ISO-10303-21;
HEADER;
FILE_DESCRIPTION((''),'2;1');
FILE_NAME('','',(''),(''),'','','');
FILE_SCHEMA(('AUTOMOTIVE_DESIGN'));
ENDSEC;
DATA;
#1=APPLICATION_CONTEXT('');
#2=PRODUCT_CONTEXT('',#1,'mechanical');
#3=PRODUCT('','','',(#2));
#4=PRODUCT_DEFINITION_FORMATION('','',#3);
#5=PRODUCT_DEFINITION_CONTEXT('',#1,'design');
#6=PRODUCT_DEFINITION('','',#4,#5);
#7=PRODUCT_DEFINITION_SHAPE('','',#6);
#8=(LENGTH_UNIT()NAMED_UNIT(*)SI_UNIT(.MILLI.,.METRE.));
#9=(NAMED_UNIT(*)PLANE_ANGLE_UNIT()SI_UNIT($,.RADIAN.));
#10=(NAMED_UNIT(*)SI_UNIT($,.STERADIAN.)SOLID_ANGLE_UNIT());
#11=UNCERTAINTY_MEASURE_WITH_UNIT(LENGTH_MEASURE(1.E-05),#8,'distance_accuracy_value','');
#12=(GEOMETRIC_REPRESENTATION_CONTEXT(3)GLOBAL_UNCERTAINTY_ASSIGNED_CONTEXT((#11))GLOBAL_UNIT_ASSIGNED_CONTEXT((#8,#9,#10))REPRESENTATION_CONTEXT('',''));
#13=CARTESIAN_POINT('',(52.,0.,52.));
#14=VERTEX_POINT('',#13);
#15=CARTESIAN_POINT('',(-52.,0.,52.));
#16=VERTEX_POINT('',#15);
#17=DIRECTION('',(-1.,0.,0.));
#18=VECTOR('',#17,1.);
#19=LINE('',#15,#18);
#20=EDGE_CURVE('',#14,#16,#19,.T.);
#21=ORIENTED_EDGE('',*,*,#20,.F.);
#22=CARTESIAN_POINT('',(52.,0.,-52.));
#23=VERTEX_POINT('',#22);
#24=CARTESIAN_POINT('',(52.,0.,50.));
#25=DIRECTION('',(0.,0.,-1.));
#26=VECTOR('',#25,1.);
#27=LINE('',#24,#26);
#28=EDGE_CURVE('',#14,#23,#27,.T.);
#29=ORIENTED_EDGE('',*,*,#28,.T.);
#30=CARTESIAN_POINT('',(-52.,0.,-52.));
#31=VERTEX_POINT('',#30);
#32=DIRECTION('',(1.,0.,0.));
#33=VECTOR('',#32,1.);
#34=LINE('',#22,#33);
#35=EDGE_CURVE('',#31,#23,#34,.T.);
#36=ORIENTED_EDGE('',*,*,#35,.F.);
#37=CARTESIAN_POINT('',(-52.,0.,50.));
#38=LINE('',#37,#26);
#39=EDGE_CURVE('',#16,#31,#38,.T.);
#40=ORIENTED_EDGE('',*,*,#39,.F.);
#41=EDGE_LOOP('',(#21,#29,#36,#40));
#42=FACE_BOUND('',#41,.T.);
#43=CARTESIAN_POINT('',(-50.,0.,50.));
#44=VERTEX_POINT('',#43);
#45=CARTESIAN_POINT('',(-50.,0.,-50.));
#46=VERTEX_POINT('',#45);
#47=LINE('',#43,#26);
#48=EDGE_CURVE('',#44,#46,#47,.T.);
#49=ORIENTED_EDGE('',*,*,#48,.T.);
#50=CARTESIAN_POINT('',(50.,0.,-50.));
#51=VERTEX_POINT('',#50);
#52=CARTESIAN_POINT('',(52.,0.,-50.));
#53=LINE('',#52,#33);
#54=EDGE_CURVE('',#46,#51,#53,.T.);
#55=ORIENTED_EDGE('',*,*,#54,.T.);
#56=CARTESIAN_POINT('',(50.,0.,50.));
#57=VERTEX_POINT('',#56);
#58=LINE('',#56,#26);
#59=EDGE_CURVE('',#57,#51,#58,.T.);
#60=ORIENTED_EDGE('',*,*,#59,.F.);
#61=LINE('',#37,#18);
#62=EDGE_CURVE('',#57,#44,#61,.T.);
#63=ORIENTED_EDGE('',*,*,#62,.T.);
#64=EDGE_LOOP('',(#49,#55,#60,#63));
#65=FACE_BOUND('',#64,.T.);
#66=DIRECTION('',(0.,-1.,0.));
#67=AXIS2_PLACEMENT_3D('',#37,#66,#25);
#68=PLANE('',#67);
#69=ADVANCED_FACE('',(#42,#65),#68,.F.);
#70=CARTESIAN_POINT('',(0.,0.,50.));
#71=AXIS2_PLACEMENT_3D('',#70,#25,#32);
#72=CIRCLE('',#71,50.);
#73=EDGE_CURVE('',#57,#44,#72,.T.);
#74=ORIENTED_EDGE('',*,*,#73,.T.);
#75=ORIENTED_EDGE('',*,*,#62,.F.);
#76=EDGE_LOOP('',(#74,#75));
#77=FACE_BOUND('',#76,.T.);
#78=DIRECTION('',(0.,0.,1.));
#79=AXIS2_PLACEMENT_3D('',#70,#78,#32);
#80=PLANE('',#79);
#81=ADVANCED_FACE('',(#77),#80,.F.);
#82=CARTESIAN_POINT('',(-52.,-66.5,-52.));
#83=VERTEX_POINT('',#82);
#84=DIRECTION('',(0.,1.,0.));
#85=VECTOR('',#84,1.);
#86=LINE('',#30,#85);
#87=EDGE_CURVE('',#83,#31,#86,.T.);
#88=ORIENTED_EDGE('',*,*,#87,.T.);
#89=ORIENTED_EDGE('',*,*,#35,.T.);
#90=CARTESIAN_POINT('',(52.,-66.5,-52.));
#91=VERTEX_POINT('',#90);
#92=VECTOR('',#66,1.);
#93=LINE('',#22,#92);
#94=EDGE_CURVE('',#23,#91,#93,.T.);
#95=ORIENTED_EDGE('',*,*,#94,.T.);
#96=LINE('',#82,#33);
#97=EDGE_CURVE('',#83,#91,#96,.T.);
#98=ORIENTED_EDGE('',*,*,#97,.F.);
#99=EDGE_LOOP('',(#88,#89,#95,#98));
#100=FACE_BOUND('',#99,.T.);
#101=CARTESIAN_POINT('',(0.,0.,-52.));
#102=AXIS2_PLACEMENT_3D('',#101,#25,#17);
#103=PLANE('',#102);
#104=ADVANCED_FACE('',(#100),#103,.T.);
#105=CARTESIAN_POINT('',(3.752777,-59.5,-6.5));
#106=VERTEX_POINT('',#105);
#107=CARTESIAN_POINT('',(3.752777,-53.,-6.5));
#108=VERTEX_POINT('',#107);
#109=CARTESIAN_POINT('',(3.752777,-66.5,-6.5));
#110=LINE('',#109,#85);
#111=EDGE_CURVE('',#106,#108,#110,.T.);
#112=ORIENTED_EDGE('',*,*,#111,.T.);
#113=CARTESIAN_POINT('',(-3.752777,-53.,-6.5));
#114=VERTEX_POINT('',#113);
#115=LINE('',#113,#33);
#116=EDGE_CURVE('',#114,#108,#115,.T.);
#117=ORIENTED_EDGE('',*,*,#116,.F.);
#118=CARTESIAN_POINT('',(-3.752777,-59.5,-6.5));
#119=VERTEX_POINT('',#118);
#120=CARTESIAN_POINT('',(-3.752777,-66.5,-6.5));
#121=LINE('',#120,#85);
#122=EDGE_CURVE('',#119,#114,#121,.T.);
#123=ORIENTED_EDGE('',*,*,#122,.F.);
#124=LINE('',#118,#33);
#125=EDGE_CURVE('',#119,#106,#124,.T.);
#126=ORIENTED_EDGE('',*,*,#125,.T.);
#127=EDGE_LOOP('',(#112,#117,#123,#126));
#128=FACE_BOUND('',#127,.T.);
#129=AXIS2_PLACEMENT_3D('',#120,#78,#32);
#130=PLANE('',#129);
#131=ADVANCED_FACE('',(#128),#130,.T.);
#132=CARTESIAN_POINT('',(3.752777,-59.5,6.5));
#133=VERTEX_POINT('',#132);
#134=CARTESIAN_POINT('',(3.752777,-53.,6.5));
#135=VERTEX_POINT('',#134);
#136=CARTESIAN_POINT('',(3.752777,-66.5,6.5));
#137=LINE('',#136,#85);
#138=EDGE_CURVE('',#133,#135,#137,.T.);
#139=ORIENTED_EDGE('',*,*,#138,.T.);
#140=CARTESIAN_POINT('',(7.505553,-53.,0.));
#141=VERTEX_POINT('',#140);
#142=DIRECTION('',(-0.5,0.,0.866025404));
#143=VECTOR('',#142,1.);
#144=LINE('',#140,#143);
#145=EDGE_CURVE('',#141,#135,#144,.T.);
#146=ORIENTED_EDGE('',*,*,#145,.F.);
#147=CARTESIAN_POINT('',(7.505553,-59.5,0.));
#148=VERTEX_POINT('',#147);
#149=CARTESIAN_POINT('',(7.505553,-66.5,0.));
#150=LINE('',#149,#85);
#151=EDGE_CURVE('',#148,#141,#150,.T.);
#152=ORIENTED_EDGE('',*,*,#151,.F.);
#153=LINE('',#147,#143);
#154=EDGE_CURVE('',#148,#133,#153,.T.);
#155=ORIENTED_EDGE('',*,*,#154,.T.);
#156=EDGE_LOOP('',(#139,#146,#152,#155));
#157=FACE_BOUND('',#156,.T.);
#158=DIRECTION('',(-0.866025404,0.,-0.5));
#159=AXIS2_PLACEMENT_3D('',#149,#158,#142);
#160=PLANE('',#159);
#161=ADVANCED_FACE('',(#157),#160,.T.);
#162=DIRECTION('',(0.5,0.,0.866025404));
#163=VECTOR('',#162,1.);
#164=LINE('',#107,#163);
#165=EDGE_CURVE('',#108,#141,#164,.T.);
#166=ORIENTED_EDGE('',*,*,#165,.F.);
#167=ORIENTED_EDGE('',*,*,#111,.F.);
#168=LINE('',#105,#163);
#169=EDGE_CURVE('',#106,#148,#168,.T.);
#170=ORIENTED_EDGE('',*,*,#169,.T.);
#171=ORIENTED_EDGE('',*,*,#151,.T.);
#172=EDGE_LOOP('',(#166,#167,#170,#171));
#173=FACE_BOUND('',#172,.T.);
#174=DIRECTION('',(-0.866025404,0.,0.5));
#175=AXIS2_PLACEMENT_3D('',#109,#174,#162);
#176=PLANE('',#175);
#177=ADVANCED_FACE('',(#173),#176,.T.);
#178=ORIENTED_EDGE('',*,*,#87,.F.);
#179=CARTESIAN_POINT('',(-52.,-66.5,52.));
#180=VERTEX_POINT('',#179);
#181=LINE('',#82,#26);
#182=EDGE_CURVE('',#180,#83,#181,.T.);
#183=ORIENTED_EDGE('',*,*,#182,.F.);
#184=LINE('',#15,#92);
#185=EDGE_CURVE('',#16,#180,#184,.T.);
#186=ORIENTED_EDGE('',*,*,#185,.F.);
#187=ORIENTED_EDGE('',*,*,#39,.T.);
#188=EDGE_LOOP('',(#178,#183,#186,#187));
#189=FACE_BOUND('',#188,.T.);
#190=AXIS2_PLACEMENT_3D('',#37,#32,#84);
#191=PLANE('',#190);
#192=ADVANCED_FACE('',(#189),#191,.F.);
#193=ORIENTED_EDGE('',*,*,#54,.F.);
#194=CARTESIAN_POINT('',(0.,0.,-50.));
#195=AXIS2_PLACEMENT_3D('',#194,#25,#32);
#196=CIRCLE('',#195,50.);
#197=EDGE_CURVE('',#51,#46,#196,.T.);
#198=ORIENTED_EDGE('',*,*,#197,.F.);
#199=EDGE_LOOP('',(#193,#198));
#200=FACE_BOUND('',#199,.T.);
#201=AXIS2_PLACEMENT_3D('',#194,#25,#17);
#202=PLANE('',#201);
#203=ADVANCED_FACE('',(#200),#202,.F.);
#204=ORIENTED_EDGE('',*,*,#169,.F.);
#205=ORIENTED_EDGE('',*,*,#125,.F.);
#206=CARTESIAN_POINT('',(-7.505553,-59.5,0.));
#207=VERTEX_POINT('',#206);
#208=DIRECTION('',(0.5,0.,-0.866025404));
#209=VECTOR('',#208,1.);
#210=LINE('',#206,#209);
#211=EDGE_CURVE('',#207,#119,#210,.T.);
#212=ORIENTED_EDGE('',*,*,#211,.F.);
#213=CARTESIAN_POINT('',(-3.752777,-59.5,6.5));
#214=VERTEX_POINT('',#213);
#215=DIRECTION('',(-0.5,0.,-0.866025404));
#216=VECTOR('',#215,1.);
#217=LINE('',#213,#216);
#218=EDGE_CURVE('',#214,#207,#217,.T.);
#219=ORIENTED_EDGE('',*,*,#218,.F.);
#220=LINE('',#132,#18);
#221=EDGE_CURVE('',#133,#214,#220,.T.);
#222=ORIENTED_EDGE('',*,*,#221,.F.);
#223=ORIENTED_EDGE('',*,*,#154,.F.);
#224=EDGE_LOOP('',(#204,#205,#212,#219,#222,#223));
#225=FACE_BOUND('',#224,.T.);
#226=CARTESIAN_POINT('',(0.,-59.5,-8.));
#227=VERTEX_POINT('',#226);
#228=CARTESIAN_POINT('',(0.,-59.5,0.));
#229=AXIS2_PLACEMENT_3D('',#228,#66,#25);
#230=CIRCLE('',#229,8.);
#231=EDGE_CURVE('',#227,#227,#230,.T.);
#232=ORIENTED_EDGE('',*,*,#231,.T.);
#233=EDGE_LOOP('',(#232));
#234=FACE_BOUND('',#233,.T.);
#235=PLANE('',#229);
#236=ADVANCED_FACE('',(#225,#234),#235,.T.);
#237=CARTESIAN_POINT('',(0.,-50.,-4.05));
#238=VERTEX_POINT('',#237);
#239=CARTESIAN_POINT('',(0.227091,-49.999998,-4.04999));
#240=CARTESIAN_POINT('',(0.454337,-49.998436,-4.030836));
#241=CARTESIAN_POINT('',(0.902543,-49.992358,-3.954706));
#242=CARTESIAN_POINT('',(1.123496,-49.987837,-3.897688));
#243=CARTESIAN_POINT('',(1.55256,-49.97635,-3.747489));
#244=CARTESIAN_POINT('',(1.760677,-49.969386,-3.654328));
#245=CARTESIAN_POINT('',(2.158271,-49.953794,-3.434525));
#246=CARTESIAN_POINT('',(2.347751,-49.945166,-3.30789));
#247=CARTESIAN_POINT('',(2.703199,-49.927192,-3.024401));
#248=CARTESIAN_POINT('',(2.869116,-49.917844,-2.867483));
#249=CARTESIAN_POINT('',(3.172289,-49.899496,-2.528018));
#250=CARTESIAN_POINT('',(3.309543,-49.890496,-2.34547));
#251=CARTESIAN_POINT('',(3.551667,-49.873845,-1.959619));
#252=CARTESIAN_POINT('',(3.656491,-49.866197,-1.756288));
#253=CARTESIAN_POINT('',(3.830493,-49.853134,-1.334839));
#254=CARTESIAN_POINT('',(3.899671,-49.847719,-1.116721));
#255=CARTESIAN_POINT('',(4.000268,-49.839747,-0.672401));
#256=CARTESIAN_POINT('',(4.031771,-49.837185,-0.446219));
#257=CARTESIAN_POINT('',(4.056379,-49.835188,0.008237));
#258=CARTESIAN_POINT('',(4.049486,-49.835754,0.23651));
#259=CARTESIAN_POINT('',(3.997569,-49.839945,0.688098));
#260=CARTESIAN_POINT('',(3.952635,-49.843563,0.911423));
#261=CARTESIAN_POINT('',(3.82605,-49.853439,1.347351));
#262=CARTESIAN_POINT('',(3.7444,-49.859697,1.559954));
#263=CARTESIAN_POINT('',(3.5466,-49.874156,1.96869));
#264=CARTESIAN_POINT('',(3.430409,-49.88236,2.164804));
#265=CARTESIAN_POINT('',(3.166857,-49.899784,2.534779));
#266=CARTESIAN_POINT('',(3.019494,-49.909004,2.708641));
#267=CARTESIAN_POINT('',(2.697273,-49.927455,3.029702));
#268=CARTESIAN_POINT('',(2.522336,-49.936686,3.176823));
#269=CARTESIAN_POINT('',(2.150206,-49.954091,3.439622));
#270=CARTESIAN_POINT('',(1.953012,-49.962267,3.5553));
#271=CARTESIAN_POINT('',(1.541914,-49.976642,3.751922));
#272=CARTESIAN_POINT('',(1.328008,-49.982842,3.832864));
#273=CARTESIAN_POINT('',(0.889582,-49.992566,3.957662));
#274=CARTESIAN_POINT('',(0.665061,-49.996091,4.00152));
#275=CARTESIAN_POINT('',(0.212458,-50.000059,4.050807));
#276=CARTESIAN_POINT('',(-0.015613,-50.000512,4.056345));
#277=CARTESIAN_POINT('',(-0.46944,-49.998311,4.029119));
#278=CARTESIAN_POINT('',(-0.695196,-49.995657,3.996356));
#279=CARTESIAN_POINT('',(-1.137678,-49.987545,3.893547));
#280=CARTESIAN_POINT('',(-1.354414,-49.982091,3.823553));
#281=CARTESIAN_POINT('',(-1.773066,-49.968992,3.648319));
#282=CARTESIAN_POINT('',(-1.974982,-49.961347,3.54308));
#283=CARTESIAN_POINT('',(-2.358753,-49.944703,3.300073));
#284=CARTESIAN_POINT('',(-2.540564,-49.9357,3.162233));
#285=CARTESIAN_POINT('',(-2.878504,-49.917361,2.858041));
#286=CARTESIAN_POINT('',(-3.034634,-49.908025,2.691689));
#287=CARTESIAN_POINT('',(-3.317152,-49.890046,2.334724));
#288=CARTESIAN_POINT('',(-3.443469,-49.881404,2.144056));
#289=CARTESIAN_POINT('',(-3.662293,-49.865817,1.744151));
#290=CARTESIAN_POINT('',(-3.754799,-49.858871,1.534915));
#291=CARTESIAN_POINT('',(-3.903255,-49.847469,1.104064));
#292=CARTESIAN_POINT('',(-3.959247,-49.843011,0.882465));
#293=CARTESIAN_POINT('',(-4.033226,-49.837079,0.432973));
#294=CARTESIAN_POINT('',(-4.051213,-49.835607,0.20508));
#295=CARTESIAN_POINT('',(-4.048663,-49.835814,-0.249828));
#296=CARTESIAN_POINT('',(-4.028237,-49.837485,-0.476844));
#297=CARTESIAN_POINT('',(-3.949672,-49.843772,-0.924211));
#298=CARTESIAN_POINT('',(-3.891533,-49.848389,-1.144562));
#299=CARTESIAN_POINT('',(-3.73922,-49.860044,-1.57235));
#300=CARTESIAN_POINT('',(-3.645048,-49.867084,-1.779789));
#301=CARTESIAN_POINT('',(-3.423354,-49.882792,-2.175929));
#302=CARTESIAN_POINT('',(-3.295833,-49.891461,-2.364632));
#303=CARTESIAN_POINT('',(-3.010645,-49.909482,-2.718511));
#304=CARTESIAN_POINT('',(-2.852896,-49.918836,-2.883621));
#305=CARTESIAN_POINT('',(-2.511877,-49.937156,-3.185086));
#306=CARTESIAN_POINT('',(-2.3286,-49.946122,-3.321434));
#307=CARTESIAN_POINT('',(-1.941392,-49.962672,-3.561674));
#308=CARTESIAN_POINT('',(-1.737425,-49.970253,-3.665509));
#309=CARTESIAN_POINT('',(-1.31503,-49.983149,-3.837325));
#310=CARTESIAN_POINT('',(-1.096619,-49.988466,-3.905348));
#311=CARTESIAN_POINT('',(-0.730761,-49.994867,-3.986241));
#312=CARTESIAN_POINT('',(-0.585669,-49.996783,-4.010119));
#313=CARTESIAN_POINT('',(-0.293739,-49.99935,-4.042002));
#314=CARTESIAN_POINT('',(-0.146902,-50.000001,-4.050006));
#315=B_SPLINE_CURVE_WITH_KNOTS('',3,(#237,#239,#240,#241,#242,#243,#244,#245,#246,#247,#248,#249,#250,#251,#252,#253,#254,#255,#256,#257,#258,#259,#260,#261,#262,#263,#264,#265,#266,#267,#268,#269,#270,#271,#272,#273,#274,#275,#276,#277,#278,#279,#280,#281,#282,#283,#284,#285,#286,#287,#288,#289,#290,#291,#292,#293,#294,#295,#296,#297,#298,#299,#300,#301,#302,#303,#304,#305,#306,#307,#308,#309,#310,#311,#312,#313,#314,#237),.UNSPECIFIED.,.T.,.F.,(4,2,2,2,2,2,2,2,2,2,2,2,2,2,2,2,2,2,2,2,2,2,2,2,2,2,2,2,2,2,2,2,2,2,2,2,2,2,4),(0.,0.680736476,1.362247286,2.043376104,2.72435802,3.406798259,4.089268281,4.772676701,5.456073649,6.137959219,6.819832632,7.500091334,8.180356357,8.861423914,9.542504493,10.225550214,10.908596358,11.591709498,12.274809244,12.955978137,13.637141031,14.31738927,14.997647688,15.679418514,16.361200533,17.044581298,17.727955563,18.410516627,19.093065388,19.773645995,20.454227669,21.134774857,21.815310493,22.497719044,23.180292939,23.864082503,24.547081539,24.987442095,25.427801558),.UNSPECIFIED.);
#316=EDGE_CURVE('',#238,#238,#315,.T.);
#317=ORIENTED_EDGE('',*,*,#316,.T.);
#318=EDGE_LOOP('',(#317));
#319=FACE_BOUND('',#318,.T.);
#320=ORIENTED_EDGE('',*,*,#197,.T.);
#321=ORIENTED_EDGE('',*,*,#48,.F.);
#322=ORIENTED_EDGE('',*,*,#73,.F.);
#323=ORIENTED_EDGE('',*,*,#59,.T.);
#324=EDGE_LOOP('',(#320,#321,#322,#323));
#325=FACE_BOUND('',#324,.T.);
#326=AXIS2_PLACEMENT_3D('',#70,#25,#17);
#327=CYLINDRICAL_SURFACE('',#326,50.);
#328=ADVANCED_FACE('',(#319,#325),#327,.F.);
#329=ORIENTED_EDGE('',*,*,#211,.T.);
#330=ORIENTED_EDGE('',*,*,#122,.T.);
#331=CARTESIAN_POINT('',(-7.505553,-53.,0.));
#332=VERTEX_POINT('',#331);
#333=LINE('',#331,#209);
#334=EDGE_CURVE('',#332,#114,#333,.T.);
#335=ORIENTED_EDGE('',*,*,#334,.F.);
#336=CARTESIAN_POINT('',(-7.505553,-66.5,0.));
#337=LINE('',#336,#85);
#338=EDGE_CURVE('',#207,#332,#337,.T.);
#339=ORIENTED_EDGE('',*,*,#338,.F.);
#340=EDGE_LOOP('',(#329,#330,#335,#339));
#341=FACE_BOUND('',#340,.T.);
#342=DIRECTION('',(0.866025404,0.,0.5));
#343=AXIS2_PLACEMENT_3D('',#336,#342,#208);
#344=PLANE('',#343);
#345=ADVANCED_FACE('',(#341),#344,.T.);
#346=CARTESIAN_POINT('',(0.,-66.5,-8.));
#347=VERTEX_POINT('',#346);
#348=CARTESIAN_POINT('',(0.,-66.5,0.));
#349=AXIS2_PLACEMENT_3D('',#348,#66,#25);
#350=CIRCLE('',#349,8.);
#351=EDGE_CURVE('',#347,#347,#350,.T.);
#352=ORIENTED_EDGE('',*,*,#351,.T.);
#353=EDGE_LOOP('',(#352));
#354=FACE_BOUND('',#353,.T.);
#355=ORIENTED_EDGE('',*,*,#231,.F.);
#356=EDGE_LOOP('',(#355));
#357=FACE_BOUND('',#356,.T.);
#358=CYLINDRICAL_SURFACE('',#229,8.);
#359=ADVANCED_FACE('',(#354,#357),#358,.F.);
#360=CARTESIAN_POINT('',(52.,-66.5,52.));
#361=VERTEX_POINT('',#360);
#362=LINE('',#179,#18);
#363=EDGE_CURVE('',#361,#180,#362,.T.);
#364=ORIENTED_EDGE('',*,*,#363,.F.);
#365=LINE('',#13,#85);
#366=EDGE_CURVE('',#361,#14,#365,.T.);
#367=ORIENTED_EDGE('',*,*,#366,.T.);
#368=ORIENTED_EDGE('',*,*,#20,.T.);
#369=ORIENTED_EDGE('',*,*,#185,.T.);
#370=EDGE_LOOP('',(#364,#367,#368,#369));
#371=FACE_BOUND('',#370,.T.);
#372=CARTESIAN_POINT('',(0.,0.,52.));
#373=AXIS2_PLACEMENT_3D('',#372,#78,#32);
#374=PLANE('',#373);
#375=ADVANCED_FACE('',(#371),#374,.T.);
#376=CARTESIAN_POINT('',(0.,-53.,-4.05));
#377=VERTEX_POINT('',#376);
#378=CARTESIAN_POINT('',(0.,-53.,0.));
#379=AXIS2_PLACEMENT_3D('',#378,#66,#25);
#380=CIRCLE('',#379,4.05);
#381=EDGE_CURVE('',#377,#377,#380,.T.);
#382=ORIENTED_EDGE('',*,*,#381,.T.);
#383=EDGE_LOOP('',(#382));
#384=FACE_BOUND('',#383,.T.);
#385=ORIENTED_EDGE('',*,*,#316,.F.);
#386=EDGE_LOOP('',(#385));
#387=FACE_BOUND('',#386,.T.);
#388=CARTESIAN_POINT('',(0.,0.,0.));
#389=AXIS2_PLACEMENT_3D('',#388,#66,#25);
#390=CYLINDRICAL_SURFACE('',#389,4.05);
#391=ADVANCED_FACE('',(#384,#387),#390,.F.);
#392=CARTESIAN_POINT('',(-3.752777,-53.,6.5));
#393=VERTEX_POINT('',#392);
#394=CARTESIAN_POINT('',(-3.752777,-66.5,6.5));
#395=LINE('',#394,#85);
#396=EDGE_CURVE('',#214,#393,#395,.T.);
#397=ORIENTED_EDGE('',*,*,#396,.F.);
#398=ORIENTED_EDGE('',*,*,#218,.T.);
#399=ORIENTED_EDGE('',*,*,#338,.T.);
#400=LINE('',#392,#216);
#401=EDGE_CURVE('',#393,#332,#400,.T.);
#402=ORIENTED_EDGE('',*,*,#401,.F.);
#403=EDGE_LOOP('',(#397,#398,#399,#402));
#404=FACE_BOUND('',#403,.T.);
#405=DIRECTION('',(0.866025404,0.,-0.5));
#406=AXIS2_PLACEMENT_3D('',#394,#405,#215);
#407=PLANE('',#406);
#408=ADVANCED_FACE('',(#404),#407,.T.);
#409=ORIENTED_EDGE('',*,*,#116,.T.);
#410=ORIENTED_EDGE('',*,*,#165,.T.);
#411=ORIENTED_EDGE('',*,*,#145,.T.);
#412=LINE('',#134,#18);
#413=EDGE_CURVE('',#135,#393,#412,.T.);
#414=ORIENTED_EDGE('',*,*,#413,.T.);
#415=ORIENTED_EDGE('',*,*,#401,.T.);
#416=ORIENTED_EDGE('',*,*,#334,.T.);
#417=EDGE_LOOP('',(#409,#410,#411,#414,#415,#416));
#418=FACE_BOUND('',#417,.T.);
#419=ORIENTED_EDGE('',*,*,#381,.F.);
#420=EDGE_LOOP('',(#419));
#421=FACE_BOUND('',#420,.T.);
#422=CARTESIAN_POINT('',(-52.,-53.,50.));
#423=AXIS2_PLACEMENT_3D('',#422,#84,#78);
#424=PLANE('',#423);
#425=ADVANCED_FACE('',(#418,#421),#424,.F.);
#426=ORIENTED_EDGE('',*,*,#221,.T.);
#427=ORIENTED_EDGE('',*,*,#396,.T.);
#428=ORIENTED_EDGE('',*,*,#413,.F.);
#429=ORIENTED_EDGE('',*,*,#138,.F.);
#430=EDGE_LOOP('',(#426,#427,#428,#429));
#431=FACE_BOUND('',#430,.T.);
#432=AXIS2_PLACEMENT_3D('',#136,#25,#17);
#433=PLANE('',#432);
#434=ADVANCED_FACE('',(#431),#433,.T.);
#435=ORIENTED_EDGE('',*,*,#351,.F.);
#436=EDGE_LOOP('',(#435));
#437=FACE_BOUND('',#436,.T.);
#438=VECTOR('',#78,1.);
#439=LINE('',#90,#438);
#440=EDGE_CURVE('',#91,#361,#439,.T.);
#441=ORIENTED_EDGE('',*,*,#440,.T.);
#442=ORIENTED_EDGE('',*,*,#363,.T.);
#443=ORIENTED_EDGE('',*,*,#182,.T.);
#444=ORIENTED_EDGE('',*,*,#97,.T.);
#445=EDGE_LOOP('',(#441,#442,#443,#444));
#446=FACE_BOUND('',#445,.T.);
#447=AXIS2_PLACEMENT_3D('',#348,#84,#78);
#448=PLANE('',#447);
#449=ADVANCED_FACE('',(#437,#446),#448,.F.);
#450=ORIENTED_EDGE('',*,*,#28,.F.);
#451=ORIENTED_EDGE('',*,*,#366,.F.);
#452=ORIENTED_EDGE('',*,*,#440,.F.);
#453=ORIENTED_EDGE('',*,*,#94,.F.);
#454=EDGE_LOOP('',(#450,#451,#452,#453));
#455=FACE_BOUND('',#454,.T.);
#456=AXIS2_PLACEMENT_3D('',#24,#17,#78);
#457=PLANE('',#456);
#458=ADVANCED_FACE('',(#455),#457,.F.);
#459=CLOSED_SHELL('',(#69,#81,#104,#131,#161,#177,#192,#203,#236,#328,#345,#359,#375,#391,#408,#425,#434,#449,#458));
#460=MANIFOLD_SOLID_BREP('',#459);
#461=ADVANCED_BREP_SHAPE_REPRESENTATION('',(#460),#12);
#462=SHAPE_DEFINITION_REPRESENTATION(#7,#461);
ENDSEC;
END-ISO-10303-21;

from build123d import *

# Parameters (mm, degrees)
BOSS_EXTRUDE1_DEPTH = 50
SKETCH2_W           = 104
SKETCH2_H           = 53
BOSS_EXTRUDE2_DEPTH = 2
SKETCH3_W           = 104
SKETCH3_H           = 53
BOSS_EXTRUDE3_DEPTH = 2
SKETCH4_R           = 4.05
CUT_EXTRUDE2_DEPTH  = 91.647669578
SKETCH5_W           = 104
SKETCH5_H           = 104
BOSS_EXTRUDE4_DEPTH = 13.5
SKETCH6_R           = 8
CUT_EXTRUDE3_DEPTH  = 7


with BuildPart() as part:
    # Sketch1 → Boss-Extrude1 (new, symmetric)
    with BuildSketch(Plane.XY):
        with BuildLine():
            Line((50, 0), (52, 0))
            Line((52, 0), (52, -53))
            Line((52, -53), (-52, -53))
            Line((-52, -53), (-52, 0))
            Line((-52, 0), (-50, 0))
            ThreePointArc((-50, 0), (0, -50), (50, 0))
        make_face()
    extrude(amount=BOSS_EXTRUDE1_DEPTH, both=True)

    # Sketch2 → Boss-Extrude2 (add)
    with BuildSketch(Plane.XY.offset(50)):
        with Locations((0, -26.5)):
            Rectangle(SKETCH2_W, SKETCH2_H)
    extrude(amount=BOSS_EXTRUDE2_DEPTH)

    # Sketch3 → Boss-Extrude3 (add)
    with BuildSketch(Plane(origin=(0, 0, -50), x_dir=(-1, 0, 0), z_dir=(0, 0, -1))):
        with Locations((0, -26.5)):
            Rectangle(SKETCH3_W, SKETCH3_H)
    extrude(amount=BOSS_EXTRUDE3_DEPTH)

    # Sketch4 → Cut-Extrude2 (cut, through all)
    with BuildSketch(Plane.XZ.offset(53)):
        with Locations(Location((0, 0, 0), (0, 0, 270))):
            Circle(SKETCH4_R)
    extrude(amount=-CUT_EXTRUDE2_DEPTH, mode=Mode.SUBTRACT)

    # Sketch5 → Boss-Extrude4 (add)
    with BuildSketch(Plane.XZ.offset(53)):
        Rectangle(SKETCH5_W, SKETCH5_H)
        Polygon((-7.505553499, 0), (-3.75277675, -6.5), (3.75277675, -6.5), (7.505553499, 0), (3.75277675, 6.5), (-3.75277675, 6.5), align=None, mode=Mode.SUBTRACT)
    extrude(amount=BOSS_EXTRUDE4_DEPTH)

    # Sketch6 → Cut-Extrude3 (cut)
    with BuildSketch(Plane.XZ.offset(66.5)):
        with Locations(Location((0, 0, 0), (0, 0, 270))):
            Circle(SKETCH6_R)
    extrude(amount=-CUT_EXTRUDE3_DEPTH, mode=Mode.SUBTRACT)


solid = part.part
